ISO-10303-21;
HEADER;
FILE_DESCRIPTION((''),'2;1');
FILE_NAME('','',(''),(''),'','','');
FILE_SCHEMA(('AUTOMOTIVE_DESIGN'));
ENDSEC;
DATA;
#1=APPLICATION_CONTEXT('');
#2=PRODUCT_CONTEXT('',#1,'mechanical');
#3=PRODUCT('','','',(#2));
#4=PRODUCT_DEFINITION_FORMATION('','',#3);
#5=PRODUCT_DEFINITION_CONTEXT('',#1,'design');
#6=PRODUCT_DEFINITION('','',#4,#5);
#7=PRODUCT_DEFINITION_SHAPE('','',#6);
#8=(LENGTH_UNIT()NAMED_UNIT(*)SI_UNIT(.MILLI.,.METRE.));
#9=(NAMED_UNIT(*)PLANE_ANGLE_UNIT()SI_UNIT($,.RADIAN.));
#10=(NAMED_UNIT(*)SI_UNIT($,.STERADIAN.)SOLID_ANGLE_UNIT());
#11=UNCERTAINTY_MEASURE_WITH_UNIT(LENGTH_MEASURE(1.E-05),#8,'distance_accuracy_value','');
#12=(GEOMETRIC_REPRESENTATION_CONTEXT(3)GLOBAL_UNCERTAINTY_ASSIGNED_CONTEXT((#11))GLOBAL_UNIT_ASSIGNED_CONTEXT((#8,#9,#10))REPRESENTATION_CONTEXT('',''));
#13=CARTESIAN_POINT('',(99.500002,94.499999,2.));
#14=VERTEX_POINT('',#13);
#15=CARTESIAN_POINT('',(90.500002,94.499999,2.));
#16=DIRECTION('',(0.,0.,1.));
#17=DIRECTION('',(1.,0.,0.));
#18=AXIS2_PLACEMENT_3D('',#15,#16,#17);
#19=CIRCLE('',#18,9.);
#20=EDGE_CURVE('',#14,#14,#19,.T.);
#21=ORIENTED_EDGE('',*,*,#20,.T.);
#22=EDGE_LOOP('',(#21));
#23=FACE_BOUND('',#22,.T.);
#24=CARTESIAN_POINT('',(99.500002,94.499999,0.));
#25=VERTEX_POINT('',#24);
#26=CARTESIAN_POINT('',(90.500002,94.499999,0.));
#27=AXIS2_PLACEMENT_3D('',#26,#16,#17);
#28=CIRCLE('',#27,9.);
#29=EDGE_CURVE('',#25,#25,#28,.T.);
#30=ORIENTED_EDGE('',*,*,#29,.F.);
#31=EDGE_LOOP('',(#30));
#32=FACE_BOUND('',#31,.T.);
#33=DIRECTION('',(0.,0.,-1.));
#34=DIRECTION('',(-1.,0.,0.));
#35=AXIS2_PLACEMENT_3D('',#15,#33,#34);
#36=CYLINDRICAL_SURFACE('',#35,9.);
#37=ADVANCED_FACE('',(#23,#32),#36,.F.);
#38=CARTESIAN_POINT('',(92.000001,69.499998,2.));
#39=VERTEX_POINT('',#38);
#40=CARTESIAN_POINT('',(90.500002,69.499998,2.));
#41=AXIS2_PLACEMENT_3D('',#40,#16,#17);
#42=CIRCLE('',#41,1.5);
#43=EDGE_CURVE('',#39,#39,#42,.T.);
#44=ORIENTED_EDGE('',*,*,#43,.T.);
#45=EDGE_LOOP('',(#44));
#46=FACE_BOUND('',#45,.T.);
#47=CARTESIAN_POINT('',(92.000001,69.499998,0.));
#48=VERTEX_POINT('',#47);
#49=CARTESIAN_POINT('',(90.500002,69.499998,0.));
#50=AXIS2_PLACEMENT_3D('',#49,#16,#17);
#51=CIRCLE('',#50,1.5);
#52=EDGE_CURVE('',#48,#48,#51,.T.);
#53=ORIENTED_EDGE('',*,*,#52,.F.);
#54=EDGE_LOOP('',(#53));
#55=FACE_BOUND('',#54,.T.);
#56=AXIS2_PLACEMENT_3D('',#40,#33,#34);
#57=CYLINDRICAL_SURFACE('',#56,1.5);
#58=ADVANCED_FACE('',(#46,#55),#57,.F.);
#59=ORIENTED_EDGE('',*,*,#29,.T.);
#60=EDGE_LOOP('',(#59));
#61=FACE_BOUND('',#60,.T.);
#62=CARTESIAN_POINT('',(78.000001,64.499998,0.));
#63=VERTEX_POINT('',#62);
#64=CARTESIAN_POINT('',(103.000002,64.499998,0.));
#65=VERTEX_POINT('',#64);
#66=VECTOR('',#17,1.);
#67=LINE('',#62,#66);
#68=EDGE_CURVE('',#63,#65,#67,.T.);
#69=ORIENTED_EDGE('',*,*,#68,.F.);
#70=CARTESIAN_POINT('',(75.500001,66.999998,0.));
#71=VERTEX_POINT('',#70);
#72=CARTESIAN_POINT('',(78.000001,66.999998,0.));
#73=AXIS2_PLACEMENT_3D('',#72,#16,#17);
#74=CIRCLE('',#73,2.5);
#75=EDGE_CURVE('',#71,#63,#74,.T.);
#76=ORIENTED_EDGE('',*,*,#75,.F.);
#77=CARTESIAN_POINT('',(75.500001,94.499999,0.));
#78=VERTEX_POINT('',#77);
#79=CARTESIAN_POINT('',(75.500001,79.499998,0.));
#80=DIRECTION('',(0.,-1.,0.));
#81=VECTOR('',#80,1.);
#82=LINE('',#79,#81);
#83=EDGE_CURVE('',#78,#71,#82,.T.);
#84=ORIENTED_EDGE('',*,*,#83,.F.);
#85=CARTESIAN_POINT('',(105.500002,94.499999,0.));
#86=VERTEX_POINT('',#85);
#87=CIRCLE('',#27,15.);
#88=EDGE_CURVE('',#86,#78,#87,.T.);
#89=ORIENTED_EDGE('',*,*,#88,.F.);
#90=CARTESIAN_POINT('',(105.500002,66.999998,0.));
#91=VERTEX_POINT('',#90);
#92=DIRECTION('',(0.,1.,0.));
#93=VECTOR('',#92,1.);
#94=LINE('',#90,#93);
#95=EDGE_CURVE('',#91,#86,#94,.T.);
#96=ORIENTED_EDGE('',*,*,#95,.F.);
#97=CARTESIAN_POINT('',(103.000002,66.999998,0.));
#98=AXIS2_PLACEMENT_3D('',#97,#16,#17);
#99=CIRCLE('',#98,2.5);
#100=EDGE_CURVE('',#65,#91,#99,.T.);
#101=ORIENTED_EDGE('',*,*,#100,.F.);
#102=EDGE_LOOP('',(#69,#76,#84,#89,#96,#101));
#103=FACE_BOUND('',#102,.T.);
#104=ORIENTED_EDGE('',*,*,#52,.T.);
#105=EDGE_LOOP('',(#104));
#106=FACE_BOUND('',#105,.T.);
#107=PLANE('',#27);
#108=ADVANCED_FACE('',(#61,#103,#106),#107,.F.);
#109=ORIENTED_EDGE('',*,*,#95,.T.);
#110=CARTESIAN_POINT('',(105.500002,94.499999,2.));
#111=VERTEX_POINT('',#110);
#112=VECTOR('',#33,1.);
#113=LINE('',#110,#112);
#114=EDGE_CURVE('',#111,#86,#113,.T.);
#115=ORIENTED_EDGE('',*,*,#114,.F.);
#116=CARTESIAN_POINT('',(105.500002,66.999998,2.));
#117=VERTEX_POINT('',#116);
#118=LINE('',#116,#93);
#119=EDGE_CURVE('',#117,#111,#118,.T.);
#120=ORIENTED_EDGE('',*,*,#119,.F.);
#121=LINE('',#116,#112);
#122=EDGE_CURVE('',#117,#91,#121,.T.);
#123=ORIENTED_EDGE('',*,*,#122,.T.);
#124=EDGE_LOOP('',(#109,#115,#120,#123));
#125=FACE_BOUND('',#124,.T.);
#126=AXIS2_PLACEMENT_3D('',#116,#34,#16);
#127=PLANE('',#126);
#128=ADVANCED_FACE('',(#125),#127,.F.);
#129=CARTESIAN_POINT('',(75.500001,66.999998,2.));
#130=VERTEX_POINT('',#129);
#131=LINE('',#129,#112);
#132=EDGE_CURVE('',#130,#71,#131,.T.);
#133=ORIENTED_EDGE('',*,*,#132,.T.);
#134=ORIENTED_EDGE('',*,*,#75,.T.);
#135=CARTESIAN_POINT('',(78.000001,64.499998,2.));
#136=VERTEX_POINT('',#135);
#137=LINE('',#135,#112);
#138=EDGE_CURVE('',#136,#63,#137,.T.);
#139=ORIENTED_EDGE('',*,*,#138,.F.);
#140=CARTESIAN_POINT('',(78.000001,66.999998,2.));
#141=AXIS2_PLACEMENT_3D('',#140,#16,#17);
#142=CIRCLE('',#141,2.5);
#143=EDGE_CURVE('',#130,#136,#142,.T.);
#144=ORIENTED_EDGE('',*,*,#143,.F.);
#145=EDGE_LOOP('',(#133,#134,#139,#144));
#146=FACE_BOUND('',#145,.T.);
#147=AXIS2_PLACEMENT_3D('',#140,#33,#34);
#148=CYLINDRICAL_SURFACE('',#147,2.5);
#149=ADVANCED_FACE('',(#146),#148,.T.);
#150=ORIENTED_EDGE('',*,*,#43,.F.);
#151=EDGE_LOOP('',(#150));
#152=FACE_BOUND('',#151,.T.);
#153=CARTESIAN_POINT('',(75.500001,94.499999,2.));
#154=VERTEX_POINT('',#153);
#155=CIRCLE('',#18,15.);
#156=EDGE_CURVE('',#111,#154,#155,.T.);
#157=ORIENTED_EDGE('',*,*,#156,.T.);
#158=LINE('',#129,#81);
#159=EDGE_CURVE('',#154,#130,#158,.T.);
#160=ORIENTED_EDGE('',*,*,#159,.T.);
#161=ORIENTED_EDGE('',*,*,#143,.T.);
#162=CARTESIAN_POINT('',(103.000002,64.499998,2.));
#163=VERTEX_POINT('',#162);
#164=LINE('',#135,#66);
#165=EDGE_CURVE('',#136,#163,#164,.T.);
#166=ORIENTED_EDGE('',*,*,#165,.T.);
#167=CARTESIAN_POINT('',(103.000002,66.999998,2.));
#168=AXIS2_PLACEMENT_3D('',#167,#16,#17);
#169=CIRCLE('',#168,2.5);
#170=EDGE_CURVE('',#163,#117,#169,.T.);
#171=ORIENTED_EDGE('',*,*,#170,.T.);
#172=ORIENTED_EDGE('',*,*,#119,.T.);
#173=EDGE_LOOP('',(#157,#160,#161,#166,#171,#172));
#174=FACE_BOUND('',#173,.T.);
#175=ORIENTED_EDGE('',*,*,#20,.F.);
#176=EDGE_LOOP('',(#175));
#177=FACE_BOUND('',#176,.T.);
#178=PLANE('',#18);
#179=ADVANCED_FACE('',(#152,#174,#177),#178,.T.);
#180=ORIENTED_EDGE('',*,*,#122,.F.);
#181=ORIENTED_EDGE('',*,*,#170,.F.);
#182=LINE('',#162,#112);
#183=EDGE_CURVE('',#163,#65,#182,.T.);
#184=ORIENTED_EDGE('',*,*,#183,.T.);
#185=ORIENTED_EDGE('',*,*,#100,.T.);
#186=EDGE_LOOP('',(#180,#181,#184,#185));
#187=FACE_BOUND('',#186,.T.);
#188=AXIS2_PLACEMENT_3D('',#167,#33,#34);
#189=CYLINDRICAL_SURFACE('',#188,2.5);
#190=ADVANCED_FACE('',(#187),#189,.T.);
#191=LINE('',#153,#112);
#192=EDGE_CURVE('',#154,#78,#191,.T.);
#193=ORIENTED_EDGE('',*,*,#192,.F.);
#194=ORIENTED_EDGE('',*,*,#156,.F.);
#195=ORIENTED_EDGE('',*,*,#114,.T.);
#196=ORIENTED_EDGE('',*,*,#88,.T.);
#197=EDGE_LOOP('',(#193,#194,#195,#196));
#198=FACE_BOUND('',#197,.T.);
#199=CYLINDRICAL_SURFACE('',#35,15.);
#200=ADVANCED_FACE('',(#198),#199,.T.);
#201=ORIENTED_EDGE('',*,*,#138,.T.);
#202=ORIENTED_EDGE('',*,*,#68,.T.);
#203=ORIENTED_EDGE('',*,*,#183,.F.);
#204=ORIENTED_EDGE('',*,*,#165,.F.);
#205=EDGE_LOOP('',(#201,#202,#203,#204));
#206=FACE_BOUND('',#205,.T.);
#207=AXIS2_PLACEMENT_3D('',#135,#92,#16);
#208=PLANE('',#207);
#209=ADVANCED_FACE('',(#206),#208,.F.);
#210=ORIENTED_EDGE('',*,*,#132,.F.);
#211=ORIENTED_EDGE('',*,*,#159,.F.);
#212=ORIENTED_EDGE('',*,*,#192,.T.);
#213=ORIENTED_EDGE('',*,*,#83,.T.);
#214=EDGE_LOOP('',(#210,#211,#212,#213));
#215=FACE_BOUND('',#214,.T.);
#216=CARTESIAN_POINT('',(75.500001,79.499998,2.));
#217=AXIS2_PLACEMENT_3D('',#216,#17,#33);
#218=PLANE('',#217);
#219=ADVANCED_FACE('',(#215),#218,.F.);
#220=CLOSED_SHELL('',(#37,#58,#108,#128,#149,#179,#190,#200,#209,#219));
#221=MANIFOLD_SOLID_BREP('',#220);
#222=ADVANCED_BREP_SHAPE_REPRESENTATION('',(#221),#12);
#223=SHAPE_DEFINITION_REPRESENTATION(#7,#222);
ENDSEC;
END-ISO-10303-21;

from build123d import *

# Parameters (mm, degrees)
SKETCH3_R           = 8.99999978
SKETCH3_R_2         = 1.49999954
BOSS_EXTRUDE1_DEPTH = 2


with BuildPart() as part:
    # Sketch3 → Boss-Extrude1 (new body)
    with BuildSketch(Plane.XY):
        with BuildLine():
            Line((75.5000014, 79.49999848), (75.5000014, 94.49999896))
            ThreePointArc((75.5000014, 94.49999896), (90.50000188, 109.49999944), (105.50000236, 94.49999896))
            Line((105.50000236, 94.49999896), (105.50000236, 66.99999808))
            ThreePointArc((105.50000236, 66.99999808), (104.76776929, 65.23223107), (103.00000228, 64.499998))
            Line((103.00000228, 64.499998), (78.00000148, 64.499998))
            ThreePointArc((78.00000148, 64.499998), (76.23223447, 65.23223107), (75.5000014, 66.99999808))
            Line((75.5000014, 66.99999808), (75.5000014, 79.49999848))
        make_face()
        with Locations((90.50000188, 94.49999896)):
            Circle(SKETCH3_R, mode=Mode.SUBTRACT)
        with Locations((90.50000188, 69.49999816)):
            Circle(SKETCH3_R_2, mode=Mode.SUBTRACT)
    extrude(amount=BOSS_EXTRUDE1_DEPTH)


solid = part.part
